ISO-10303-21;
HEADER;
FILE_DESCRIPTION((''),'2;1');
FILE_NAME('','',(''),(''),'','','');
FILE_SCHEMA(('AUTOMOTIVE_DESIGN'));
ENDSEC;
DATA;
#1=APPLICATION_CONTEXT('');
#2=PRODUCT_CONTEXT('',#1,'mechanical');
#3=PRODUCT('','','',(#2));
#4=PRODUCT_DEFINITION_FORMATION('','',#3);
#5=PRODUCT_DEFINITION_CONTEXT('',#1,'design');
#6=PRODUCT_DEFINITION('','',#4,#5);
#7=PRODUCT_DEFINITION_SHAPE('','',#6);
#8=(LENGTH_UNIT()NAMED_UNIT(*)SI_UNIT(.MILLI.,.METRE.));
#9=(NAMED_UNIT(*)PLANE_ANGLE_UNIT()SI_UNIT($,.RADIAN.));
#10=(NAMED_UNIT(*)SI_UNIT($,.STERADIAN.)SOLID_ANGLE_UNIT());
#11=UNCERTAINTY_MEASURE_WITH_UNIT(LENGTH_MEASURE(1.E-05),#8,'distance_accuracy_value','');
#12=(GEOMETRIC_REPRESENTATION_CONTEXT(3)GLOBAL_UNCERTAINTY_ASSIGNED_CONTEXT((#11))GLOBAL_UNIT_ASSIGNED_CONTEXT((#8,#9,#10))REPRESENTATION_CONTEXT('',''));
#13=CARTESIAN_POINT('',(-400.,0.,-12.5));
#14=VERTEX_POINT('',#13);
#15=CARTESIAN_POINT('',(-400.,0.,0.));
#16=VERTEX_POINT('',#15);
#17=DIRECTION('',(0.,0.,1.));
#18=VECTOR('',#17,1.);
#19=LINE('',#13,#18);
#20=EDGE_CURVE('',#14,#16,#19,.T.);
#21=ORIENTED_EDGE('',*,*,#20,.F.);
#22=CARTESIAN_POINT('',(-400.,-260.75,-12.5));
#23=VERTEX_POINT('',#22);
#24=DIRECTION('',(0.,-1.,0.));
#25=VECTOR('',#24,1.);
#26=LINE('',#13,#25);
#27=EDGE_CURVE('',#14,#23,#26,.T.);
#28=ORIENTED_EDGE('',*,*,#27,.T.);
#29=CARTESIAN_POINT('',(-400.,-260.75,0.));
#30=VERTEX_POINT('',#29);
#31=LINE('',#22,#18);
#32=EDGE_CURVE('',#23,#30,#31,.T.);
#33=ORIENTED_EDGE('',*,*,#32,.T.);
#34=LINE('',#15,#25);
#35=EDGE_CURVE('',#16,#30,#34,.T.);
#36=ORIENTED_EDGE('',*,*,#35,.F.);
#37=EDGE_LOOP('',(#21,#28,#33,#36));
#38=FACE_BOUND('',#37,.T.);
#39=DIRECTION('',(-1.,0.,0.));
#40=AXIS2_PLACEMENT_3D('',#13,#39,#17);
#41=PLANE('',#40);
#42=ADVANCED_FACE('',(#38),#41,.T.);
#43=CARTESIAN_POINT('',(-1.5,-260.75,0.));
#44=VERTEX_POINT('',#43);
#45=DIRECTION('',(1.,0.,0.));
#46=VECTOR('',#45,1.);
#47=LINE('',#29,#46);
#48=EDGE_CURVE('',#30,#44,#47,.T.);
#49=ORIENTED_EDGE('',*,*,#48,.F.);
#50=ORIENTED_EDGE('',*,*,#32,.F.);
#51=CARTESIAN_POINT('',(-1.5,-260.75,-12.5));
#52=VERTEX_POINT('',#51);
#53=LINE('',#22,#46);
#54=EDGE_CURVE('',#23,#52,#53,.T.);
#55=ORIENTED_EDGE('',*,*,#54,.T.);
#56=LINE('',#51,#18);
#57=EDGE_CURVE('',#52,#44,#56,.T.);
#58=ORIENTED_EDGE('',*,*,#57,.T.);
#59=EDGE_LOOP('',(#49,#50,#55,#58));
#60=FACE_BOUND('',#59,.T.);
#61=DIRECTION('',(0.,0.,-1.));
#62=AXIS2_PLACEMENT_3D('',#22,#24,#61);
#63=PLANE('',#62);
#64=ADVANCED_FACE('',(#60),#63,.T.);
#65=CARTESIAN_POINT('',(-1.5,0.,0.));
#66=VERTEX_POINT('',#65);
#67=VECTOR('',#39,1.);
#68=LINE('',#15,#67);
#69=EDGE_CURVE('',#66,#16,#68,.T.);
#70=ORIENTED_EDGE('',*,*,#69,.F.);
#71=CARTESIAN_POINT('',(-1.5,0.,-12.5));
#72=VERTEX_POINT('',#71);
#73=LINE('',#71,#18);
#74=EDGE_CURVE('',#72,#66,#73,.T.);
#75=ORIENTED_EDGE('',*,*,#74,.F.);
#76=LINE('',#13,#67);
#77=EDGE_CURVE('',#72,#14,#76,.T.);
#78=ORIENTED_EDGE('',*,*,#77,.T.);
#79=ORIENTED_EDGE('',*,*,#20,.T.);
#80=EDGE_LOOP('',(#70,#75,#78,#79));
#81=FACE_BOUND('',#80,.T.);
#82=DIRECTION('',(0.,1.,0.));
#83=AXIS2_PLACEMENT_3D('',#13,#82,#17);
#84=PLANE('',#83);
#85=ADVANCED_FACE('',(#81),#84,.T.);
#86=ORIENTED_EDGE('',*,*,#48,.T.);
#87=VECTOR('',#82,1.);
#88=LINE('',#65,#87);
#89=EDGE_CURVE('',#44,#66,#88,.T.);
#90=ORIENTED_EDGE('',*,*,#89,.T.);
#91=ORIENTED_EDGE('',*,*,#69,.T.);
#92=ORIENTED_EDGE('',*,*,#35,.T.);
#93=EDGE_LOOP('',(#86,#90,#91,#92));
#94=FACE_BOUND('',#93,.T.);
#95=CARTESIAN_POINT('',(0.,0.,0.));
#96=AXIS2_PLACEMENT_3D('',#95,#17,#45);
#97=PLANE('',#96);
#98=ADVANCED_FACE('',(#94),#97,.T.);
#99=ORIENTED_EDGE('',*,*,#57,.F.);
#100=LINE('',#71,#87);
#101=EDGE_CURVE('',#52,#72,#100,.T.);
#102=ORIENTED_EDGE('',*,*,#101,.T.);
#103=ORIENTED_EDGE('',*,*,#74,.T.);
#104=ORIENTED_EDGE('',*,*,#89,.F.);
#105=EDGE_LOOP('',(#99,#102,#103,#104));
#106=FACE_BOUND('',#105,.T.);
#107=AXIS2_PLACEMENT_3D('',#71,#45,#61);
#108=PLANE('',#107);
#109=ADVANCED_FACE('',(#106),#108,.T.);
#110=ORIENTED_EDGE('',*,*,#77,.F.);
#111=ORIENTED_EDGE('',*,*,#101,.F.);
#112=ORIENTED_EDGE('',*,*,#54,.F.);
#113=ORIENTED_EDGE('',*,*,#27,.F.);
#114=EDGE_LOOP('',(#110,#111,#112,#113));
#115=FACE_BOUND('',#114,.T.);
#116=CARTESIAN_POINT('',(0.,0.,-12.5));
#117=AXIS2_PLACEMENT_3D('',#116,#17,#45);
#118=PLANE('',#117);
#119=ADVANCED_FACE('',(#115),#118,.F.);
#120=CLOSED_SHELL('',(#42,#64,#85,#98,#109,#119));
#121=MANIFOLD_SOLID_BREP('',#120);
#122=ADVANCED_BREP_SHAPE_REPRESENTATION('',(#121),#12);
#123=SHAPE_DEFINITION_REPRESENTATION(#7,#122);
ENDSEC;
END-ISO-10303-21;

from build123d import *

# Parameters (mm, degrees)
SKETCH_1_W      = 398.5
SKETCH_1_H      = 260.75
EXTRUDE_1_DEPTH = 12.5


with BuildPart() as part:
    # Эскиз1 → Бобышка-Вытянуть1 (new body)
    with BuildSketch(Plane.XY):
        with Locations((-200.75, -130.375)):
            Rectangle(SKETCH_1_W, SKETCH_1_H)
    extrude(amount=-EXTRUDE_1_DEPTH)


solid = part.part
